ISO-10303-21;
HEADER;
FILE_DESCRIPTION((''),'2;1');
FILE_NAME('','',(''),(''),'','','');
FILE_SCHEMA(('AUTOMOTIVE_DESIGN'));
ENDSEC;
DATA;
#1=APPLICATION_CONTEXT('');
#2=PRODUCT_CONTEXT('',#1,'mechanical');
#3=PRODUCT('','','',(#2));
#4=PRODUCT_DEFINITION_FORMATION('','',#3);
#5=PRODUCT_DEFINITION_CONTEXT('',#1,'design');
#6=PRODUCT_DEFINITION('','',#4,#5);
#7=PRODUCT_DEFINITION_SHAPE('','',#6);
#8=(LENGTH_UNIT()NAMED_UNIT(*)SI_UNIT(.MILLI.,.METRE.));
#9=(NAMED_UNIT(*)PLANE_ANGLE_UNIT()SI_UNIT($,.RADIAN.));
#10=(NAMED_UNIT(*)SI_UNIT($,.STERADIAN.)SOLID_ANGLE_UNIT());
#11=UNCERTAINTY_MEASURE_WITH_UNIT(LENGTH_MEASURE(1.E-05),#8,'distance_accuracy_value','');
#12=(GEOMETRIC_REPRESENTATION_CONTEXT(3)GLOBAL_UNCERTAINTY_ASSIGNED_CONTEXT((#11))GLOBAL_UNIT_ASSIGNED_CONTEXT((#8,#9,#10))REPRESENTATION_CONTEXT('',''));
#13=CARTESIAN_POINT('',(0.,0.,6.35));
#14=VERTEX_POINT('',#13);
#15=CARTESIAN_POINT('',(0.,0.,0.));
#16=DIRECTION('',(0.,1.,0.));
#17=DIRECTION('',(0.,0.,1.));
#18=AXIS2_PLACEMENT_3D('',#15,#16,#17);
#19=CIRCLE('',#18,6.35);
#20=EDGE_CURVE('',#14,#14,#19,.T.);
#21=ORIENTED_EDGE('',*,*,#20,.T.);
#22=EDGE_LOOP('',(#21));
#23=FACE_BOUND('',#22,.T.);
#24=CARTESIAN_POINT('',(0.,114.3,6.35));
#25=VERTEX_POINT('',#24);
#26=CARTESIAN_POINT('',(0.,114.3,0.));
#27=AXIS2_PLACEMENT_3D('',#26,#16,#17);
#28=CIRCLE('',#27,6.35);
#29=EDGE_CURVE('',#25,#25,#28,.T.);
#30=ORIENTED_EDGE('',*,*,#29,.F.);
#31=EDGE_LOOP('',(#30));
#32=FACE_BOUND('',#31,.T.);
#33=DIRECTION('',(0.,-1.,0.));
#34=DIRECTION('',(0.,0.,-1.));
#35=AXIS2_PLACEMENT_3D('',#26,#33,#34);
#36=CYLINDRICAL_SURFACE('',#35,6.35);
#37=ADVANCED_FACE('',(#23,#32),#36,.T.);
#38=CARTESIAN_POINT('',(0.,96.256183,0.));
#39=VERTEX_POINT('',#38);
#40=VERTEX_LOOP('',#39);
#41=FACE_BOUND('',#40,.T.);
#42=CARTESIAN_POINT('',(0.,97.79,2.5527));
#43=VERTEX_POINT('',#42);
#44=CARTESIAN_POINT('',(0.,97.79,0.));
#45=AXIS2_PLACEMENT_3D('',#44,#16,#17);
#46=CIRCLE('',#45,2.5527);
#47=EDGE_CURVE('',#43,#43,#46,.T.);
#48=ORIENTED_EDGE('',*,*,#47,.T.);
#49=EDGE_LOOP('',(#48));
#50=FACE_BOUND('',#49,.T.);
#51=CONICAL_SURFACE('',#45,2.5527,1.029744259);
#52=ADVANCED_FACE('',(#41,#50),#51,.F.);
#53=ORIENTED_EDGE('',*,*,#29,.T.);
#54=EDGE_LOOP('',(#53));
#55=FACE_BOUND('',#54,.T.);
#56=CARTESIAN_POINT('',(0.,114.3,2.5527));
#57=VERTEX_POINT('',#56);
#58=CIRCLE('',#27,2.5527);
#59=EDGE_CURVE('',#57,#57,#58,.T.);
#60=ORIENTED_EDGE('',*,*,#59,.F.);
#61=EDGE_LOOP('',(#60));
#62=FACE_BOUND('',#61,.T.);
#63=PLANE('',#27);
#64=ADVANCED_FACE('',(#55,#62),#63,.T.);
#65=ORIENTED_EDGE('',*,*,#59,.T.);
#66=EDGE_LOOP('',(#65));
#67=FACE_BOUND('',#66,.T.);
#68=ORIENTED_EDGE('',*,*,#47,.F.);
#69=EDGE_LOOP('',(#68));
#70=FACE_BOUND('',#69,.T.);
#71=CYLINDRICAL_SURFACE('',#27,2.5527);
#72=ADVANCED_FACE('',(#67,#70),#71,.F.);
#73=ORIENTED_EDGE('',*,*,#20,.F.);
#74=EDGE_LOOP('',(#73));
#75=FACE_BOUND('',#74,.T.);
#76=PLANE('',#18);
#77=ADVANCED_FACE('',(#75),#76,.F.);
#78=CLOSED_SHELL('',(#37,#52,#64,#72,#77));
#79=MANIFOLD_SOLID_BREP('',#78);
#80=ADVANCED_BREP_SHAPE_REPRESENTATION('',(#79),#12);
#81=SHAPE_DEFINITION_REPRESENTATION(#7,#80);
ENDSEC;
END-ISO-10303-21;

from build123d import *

# Parameters (mm, degrees)
SKETCH1_R                   = 6.35
BOSS_EXTRUDE1_DEPTH         = 114.3
F_1_4_20_TAPPED_HOLE1_D     = 5.1054
F_1_4_20_TAPPED_HOLE1_DEPTH = 16.51
F_1_4_20_TAPPED_HOLE1_TIP   = 1.533816902


with BuildPart() as part:
    # Sketch1 → Boss-Extrude1 (new body)
    with BuildSketch(Plane(origin=(0, 0, 0), x_dir=(1, 0, 0), z_dir=(0, 1, 0))):
        with Locations(Location((0, 0, 0), (0, 0, 270))):
            Circle(SKETCH1_R)
    extrude(amount=BOSS_EXTRUDE1_DEPTH)

    # 1/4-20 Tapped Hole1
    with Locations(Plane(origin=(0, 114.3, 0), x_dir=(1, 0, 0), z_dir=(0, 1, 0))):
        with Locations((0, 0)):
            Hole(F_1_4_20_TAPPED_HOLE1_D / 2, depth=F_1_4_20_TAPPED_HOLE1_DEPTH)
            with Locations((0, 0, -(F_1_4_20_TAPPED_HOLE1_DEPTH + F_1_4_20_TAPPED_HOLE1_TIP / 2))):  # 118° drill point
                Cone(0, F_1_4_20_TAPPED_HOLE1_D / 2, F_1_4_20_TAPPED_HOLE1_TIP, mode=Mode.SUBTRACT)


solid = part.part
